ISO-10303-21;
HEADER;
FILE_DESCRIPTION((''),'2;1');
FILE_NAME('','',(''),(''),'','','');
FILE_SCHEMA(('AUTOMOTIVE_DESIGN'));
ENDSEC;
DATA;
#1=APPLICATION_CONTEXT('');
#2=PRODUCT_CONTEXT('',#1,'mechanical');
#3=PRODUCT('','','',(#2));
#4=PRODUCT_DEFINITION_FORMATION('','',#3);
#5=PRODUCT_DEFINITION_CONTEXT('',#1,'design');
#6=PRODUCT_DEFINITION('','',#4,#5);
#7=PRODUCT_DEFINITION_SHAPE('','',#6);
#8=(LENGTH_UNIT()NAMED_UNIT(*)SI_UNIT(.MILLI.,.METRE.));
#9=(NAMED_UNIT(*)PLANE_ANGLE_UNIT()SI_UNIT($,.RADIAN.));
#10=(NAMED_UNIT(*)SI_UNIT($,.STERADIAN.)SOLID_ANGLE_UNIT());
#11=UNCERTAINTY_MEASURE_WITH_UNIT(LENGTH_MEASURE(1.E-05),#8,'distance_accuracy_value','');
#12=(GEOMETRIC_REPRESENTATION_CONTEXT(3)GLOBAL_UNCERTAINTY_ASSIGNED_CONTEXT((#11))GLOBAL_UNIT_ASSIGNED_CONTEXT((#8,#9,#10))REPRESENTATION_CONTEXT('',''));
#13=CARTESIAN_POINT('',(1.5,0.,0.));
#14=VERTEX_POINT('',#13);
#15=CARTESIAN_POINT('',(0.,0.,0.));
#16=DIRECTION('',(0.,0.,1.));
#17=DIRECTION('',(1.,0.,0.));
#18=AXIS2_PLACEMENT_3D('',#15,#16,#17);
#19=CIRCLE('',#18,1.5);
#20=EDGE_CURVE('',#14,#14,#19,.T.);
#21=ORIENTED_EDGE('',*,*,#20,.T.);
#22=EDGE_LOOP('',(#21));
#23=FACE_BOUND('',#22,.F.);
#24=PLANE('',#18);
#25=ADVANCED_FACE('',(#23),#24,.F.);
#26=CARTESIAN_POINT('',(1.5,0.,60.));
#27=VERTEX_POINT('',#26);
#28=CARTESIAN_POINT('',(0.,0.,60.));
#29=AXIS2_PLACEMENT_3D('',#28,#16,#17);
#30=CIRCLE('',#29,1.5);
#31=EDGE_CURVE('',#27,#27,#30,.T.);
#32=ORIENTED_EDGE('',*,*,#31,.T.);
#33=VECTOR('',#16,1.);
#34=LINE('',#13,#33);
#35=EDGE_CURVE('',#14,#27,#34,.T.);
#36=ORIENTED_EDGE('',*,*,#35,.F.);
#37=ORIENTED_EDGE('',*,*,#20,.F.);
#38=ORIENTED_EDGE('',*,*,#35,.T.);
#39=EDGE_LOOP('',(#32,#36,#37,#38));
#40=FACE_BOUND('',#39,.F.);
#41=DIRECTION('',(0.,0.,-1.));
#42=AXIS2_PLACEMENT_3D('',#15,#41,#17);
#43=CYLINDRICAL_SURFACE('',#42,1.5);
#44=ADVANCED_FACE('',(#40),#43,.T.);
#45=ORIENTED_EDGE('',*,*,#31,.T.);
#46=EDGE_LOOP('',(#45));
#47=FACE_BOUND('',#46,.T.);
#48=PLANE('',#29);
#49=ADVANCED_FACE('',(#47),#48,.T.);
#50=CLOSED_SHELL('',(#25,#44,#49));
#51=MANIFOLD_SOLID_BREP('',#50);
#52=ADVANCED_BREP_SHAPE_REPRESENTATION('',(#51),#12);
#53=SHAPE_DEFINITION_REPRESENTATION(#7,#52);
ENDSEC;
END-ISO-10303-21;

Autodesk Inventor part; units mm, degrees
ref_plane "YZ Plane" through (0, 0, 0) normal (1, 0, 0) x (0, 1, 0)
ref_plane "XZ Plane" through (0, 0, 0) normal (0, 1, 0) x (-1, 0, 0)
ref_plane "XY Plane" through (0, 0, 0) normal (0, 0, 1) x (1, 0, 0)
sketch "Sketch1" plane through (0, 0, 0) normal (0, 0, 1) x (1, 0, 0)
  circle A0 centre (0, 0) radius 1.5
  dimension "d0" = 3
extrude "Extrusion1" add sketch "Sketch1" along normal blind 60
properties part number "3mm Rod"
